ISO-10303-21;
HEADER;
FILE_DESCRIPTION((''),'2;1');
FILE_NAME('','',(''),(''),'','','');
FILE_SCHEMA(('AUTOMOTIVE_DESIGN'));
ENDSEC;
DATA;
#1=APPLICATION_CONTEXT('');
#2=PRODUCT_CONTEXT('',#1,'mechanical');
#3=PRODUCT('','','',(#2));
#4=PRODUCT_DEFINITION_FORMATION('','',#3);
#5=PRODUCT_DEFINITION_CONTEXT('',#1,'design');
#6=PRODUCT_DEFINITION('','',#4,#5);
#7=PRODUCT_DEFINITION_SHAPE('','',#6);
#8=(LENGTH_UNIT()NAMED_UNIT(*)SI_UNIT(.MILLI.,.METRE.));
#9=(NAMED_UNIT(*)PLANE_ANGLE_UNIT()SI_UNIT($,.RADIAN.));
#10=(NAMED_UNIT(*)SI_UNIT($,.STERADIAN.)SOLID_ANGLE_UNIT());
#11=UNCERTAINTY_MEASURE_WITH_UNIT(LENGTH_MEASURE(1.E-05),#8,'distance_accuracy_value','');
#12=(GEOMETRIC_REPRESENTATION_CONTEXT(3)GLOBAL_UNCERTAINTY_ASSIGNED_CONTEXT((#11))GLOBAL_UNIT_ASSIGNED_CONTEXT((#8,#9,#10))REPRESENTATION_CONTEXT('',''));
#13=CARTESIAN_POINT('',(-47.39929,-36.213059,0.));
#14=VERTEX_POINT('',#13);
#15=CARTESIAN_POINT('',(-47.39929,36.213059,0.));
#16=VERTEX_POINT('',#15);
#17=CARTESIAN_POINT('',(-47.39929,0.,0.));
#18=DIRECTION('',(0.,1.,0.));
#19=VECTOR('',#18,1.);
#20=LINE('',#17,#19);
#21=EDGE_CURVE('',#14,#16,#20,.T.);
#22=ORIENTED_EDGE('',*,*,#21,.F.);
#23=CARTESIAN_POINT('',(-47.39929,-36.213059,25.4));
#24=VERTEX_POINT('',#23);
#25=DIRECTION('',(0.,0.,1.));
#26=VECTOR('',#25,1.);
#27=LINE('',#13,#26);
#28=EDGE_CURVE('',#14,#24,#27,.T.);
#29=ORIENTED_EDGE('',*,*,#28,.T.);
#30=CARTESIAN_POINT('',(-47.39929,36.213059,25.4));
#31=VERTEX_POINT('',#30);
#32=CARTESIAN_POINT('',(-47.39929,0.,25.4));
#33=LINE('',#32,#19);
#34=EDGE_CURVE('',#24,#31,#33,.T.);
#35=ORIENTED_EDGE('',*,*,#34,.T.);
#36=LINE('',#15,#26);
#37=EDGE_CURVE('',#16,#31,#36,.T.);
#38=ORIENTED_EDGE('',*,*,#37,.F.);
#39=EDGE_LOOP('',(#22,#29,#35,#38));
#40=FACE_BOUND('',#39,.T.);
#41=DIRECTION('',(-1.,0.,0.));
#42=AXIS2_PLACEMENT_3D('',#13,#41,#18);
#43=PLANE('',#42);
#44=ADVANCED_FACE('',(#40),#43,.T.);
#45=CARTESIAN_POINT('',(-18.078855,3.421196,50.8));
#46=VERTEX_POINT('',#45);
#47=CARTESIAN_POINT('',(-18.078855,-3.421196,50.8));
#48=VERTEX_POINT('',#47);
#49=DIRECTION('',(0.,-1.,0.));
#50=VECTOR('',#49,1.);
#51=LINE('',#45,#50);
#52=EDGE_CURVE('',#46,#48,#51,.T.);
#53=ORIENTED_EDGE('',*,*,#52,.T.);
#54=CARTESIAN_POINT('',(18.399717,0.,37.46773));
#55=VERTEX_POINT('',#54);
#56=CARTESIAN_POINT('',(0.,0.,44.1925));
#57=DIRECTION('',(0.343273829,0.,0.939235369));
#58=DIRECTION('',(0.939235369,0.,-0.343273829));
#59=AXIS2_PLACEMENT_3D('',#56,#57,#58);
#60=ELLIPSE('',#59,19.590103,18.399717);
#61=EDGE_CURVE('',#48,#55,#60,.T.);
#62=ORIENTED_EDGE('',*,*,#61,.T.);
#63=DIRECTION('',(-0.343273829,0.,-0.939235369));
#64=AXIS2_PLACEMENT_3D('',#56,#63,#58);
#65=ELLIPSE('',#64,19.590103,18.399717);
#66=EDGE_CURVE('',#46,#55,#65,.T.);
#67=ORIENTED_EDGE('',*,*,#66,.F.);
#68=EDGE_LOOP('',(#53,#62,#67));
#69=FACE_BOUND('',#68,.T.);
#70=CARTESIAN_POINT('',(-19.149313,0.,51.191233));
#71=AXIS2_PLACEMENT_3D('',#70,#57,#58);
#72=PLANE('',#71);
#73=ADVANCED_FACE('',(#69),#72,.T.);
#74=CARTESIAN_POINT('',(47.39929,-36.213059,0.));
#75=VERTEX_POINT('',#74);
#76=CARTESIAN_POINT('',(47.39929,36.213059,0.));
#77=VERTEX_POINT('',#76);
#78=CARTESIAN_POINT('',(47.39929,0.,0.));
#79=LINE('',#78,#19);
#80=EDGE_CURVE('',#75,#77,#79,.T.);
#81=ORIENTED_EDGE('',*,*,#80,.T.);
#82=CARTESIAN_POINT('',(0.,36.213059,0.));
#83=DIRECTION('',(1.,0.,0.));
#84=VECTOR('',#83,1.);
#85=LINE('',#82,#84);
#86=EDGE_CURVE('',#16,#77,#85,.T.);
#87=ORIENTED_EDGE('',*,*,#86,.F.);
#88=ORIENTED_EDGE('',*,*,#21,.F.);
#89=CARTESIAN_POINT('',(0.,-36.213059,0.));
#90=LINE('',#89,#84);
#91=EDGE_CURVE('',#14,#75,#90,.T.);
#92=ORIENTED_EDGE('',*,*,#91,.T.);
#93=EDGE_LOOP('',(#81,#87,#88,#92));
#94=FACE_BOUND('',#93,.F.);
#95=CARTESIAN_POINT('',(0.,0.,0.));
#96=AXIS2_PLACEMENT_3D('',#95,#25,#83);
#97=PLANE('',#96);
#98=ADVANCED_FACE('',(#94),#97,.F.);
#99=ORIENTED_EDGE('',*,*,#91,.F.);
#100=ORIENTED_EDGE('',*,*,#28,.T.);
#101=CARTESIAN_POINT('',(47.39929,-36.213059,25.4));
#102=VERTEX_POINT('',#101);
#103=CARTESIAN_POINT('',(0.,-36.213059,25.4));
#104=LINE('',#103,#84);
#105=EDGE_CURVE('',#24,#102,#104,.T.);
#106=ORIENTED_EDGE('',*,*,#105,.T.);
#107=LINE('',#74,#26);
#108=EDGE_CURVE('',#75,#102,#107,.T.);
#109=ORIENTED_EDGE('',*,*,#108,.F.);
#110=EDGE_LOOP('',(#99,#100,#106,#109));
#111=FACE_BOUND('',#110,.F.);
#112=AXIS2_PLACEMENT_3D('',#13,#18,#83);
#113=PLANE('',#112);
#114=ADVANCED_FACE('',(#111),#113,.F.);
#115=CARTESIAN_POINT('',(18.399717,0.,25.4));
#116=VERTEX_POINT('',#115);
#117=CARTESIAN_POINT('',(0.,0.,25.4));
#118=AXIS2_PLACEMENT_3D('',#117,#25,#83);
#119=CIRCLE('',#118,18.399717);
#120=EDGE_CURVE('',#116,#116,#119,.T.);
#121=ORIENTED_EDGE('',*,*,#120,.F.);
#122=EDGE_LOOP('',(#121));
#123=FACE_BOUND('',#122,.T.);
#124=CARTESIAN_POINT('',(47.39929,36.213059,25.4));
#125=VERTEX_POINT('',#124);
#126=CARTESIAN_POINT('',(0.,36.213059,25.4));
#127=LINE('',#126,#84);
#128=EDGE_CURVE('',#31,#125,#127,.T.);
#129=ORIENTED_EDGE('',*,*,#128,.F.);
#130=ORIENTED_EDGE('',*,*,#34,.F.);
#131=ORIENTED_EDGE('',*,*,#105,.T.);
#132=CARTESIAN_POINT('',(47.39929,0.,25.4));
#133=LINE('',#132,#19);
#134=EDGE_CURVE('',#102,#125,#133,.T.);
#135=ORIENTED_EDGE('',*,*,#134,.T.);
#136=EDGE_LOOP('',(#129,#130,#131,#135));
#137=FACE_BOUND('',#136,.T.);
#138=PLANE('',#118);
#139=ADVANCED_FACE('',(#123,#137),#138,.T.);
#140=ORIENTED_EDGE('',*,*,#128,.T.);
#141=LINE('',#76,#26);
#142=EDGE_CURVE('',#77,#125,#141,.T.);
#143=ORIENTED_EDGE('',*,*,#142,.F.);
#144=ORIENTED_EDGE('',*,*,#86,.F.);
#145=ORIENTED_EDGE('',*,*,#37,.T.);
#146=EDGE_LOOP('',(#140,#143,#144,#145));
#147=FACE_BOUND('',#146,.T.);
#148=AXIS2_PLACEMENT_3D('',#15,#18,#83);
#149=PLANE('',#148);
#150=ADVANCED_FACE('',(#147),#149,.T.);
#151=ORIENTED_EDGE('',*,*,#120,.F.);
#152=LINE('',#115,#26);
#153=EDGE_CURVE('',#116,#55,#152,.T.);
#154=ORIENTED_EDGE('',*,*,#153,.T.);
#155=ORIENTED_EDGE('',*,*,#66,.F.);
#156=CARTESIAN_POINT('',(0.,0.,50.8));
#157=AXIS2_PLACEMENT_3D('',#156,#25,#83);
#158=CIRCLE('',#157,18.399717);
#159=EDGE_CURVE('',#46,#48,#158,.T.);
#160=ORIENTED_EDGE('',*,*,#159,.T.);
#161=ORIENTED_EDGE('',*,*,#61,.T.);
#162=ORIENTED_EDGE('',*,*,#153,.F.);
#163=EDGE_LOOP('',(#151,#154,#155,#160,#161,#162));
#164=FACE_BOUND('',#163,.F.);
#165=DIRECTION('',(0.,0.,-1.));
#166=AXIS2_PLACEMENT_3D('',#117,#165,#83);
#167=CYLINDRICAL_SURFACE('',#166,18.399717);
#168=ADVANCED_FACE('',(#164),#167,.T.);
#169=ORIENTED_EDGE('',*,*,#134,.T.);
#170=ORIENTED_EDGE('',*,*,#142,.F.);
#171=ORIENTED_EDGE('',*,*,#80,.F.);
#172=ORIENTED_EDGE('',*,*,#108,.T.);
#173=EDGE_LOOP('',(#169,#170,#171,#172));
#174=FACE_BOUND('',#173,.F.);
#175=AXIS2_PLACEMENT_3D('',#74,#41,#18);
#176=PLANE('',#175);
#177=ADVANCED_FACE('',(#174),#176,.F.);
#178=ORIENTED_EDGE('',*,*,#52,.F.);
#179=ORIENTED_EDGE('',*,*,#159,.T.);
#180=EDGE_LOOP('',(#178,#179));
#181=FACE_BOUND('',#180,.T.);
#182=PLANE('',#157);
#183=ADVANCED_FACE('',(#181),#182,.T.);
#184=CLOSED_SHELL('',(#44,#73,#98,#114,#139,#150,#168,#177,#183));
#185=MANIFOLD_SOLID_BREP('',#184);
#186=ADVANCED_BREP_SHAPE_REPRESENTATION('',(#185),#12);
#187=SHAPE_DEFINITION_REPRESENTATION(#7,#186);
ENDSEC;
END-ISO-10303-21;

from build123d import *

# Parameters (mm, degrees)
F0_W          = 94.798579812
F0_H          = 72.4261179566
F1_DEPTH      = 25.4
F2_R          = 18.3997173806
F3_DEPTH      = 25.4
F5_DEPTH      = 36.2140589783
F5_DEPTH_BACK = 36.2140589783


with BuildPart() as f1:
    # F0 (on Top) → F1 (new body)
    with BuildSketch(Plane.XY):
        Rectangle(F0_W, F0_H)
    extrude(amount=F1_DEPTH)

    # F2 (on face) → F3 (join)
    with BuildSketch(Plane.XY.offset(25.4)):
        Circle(F2_R)
    extrude(amount=F3_DEPTH)

    # F4 (on Front) → F5 (cut, two sides)
    with BuildSketch(Plane.XZ) as f5_sk:
        Polygon((19.6720566601, 52.7677323434), (-19.1493127495, 51.1912330985), (19.6720566601, 37.0027127904), align=None)
    extrude(amount=-F5_DEPTH, mode=Mode.SUBTRACT)
    extrude(f5_sk.sketch, amount=F5_DEPTH_BACK, mode=Mode.SUBTRACT)


solid = f1.part
